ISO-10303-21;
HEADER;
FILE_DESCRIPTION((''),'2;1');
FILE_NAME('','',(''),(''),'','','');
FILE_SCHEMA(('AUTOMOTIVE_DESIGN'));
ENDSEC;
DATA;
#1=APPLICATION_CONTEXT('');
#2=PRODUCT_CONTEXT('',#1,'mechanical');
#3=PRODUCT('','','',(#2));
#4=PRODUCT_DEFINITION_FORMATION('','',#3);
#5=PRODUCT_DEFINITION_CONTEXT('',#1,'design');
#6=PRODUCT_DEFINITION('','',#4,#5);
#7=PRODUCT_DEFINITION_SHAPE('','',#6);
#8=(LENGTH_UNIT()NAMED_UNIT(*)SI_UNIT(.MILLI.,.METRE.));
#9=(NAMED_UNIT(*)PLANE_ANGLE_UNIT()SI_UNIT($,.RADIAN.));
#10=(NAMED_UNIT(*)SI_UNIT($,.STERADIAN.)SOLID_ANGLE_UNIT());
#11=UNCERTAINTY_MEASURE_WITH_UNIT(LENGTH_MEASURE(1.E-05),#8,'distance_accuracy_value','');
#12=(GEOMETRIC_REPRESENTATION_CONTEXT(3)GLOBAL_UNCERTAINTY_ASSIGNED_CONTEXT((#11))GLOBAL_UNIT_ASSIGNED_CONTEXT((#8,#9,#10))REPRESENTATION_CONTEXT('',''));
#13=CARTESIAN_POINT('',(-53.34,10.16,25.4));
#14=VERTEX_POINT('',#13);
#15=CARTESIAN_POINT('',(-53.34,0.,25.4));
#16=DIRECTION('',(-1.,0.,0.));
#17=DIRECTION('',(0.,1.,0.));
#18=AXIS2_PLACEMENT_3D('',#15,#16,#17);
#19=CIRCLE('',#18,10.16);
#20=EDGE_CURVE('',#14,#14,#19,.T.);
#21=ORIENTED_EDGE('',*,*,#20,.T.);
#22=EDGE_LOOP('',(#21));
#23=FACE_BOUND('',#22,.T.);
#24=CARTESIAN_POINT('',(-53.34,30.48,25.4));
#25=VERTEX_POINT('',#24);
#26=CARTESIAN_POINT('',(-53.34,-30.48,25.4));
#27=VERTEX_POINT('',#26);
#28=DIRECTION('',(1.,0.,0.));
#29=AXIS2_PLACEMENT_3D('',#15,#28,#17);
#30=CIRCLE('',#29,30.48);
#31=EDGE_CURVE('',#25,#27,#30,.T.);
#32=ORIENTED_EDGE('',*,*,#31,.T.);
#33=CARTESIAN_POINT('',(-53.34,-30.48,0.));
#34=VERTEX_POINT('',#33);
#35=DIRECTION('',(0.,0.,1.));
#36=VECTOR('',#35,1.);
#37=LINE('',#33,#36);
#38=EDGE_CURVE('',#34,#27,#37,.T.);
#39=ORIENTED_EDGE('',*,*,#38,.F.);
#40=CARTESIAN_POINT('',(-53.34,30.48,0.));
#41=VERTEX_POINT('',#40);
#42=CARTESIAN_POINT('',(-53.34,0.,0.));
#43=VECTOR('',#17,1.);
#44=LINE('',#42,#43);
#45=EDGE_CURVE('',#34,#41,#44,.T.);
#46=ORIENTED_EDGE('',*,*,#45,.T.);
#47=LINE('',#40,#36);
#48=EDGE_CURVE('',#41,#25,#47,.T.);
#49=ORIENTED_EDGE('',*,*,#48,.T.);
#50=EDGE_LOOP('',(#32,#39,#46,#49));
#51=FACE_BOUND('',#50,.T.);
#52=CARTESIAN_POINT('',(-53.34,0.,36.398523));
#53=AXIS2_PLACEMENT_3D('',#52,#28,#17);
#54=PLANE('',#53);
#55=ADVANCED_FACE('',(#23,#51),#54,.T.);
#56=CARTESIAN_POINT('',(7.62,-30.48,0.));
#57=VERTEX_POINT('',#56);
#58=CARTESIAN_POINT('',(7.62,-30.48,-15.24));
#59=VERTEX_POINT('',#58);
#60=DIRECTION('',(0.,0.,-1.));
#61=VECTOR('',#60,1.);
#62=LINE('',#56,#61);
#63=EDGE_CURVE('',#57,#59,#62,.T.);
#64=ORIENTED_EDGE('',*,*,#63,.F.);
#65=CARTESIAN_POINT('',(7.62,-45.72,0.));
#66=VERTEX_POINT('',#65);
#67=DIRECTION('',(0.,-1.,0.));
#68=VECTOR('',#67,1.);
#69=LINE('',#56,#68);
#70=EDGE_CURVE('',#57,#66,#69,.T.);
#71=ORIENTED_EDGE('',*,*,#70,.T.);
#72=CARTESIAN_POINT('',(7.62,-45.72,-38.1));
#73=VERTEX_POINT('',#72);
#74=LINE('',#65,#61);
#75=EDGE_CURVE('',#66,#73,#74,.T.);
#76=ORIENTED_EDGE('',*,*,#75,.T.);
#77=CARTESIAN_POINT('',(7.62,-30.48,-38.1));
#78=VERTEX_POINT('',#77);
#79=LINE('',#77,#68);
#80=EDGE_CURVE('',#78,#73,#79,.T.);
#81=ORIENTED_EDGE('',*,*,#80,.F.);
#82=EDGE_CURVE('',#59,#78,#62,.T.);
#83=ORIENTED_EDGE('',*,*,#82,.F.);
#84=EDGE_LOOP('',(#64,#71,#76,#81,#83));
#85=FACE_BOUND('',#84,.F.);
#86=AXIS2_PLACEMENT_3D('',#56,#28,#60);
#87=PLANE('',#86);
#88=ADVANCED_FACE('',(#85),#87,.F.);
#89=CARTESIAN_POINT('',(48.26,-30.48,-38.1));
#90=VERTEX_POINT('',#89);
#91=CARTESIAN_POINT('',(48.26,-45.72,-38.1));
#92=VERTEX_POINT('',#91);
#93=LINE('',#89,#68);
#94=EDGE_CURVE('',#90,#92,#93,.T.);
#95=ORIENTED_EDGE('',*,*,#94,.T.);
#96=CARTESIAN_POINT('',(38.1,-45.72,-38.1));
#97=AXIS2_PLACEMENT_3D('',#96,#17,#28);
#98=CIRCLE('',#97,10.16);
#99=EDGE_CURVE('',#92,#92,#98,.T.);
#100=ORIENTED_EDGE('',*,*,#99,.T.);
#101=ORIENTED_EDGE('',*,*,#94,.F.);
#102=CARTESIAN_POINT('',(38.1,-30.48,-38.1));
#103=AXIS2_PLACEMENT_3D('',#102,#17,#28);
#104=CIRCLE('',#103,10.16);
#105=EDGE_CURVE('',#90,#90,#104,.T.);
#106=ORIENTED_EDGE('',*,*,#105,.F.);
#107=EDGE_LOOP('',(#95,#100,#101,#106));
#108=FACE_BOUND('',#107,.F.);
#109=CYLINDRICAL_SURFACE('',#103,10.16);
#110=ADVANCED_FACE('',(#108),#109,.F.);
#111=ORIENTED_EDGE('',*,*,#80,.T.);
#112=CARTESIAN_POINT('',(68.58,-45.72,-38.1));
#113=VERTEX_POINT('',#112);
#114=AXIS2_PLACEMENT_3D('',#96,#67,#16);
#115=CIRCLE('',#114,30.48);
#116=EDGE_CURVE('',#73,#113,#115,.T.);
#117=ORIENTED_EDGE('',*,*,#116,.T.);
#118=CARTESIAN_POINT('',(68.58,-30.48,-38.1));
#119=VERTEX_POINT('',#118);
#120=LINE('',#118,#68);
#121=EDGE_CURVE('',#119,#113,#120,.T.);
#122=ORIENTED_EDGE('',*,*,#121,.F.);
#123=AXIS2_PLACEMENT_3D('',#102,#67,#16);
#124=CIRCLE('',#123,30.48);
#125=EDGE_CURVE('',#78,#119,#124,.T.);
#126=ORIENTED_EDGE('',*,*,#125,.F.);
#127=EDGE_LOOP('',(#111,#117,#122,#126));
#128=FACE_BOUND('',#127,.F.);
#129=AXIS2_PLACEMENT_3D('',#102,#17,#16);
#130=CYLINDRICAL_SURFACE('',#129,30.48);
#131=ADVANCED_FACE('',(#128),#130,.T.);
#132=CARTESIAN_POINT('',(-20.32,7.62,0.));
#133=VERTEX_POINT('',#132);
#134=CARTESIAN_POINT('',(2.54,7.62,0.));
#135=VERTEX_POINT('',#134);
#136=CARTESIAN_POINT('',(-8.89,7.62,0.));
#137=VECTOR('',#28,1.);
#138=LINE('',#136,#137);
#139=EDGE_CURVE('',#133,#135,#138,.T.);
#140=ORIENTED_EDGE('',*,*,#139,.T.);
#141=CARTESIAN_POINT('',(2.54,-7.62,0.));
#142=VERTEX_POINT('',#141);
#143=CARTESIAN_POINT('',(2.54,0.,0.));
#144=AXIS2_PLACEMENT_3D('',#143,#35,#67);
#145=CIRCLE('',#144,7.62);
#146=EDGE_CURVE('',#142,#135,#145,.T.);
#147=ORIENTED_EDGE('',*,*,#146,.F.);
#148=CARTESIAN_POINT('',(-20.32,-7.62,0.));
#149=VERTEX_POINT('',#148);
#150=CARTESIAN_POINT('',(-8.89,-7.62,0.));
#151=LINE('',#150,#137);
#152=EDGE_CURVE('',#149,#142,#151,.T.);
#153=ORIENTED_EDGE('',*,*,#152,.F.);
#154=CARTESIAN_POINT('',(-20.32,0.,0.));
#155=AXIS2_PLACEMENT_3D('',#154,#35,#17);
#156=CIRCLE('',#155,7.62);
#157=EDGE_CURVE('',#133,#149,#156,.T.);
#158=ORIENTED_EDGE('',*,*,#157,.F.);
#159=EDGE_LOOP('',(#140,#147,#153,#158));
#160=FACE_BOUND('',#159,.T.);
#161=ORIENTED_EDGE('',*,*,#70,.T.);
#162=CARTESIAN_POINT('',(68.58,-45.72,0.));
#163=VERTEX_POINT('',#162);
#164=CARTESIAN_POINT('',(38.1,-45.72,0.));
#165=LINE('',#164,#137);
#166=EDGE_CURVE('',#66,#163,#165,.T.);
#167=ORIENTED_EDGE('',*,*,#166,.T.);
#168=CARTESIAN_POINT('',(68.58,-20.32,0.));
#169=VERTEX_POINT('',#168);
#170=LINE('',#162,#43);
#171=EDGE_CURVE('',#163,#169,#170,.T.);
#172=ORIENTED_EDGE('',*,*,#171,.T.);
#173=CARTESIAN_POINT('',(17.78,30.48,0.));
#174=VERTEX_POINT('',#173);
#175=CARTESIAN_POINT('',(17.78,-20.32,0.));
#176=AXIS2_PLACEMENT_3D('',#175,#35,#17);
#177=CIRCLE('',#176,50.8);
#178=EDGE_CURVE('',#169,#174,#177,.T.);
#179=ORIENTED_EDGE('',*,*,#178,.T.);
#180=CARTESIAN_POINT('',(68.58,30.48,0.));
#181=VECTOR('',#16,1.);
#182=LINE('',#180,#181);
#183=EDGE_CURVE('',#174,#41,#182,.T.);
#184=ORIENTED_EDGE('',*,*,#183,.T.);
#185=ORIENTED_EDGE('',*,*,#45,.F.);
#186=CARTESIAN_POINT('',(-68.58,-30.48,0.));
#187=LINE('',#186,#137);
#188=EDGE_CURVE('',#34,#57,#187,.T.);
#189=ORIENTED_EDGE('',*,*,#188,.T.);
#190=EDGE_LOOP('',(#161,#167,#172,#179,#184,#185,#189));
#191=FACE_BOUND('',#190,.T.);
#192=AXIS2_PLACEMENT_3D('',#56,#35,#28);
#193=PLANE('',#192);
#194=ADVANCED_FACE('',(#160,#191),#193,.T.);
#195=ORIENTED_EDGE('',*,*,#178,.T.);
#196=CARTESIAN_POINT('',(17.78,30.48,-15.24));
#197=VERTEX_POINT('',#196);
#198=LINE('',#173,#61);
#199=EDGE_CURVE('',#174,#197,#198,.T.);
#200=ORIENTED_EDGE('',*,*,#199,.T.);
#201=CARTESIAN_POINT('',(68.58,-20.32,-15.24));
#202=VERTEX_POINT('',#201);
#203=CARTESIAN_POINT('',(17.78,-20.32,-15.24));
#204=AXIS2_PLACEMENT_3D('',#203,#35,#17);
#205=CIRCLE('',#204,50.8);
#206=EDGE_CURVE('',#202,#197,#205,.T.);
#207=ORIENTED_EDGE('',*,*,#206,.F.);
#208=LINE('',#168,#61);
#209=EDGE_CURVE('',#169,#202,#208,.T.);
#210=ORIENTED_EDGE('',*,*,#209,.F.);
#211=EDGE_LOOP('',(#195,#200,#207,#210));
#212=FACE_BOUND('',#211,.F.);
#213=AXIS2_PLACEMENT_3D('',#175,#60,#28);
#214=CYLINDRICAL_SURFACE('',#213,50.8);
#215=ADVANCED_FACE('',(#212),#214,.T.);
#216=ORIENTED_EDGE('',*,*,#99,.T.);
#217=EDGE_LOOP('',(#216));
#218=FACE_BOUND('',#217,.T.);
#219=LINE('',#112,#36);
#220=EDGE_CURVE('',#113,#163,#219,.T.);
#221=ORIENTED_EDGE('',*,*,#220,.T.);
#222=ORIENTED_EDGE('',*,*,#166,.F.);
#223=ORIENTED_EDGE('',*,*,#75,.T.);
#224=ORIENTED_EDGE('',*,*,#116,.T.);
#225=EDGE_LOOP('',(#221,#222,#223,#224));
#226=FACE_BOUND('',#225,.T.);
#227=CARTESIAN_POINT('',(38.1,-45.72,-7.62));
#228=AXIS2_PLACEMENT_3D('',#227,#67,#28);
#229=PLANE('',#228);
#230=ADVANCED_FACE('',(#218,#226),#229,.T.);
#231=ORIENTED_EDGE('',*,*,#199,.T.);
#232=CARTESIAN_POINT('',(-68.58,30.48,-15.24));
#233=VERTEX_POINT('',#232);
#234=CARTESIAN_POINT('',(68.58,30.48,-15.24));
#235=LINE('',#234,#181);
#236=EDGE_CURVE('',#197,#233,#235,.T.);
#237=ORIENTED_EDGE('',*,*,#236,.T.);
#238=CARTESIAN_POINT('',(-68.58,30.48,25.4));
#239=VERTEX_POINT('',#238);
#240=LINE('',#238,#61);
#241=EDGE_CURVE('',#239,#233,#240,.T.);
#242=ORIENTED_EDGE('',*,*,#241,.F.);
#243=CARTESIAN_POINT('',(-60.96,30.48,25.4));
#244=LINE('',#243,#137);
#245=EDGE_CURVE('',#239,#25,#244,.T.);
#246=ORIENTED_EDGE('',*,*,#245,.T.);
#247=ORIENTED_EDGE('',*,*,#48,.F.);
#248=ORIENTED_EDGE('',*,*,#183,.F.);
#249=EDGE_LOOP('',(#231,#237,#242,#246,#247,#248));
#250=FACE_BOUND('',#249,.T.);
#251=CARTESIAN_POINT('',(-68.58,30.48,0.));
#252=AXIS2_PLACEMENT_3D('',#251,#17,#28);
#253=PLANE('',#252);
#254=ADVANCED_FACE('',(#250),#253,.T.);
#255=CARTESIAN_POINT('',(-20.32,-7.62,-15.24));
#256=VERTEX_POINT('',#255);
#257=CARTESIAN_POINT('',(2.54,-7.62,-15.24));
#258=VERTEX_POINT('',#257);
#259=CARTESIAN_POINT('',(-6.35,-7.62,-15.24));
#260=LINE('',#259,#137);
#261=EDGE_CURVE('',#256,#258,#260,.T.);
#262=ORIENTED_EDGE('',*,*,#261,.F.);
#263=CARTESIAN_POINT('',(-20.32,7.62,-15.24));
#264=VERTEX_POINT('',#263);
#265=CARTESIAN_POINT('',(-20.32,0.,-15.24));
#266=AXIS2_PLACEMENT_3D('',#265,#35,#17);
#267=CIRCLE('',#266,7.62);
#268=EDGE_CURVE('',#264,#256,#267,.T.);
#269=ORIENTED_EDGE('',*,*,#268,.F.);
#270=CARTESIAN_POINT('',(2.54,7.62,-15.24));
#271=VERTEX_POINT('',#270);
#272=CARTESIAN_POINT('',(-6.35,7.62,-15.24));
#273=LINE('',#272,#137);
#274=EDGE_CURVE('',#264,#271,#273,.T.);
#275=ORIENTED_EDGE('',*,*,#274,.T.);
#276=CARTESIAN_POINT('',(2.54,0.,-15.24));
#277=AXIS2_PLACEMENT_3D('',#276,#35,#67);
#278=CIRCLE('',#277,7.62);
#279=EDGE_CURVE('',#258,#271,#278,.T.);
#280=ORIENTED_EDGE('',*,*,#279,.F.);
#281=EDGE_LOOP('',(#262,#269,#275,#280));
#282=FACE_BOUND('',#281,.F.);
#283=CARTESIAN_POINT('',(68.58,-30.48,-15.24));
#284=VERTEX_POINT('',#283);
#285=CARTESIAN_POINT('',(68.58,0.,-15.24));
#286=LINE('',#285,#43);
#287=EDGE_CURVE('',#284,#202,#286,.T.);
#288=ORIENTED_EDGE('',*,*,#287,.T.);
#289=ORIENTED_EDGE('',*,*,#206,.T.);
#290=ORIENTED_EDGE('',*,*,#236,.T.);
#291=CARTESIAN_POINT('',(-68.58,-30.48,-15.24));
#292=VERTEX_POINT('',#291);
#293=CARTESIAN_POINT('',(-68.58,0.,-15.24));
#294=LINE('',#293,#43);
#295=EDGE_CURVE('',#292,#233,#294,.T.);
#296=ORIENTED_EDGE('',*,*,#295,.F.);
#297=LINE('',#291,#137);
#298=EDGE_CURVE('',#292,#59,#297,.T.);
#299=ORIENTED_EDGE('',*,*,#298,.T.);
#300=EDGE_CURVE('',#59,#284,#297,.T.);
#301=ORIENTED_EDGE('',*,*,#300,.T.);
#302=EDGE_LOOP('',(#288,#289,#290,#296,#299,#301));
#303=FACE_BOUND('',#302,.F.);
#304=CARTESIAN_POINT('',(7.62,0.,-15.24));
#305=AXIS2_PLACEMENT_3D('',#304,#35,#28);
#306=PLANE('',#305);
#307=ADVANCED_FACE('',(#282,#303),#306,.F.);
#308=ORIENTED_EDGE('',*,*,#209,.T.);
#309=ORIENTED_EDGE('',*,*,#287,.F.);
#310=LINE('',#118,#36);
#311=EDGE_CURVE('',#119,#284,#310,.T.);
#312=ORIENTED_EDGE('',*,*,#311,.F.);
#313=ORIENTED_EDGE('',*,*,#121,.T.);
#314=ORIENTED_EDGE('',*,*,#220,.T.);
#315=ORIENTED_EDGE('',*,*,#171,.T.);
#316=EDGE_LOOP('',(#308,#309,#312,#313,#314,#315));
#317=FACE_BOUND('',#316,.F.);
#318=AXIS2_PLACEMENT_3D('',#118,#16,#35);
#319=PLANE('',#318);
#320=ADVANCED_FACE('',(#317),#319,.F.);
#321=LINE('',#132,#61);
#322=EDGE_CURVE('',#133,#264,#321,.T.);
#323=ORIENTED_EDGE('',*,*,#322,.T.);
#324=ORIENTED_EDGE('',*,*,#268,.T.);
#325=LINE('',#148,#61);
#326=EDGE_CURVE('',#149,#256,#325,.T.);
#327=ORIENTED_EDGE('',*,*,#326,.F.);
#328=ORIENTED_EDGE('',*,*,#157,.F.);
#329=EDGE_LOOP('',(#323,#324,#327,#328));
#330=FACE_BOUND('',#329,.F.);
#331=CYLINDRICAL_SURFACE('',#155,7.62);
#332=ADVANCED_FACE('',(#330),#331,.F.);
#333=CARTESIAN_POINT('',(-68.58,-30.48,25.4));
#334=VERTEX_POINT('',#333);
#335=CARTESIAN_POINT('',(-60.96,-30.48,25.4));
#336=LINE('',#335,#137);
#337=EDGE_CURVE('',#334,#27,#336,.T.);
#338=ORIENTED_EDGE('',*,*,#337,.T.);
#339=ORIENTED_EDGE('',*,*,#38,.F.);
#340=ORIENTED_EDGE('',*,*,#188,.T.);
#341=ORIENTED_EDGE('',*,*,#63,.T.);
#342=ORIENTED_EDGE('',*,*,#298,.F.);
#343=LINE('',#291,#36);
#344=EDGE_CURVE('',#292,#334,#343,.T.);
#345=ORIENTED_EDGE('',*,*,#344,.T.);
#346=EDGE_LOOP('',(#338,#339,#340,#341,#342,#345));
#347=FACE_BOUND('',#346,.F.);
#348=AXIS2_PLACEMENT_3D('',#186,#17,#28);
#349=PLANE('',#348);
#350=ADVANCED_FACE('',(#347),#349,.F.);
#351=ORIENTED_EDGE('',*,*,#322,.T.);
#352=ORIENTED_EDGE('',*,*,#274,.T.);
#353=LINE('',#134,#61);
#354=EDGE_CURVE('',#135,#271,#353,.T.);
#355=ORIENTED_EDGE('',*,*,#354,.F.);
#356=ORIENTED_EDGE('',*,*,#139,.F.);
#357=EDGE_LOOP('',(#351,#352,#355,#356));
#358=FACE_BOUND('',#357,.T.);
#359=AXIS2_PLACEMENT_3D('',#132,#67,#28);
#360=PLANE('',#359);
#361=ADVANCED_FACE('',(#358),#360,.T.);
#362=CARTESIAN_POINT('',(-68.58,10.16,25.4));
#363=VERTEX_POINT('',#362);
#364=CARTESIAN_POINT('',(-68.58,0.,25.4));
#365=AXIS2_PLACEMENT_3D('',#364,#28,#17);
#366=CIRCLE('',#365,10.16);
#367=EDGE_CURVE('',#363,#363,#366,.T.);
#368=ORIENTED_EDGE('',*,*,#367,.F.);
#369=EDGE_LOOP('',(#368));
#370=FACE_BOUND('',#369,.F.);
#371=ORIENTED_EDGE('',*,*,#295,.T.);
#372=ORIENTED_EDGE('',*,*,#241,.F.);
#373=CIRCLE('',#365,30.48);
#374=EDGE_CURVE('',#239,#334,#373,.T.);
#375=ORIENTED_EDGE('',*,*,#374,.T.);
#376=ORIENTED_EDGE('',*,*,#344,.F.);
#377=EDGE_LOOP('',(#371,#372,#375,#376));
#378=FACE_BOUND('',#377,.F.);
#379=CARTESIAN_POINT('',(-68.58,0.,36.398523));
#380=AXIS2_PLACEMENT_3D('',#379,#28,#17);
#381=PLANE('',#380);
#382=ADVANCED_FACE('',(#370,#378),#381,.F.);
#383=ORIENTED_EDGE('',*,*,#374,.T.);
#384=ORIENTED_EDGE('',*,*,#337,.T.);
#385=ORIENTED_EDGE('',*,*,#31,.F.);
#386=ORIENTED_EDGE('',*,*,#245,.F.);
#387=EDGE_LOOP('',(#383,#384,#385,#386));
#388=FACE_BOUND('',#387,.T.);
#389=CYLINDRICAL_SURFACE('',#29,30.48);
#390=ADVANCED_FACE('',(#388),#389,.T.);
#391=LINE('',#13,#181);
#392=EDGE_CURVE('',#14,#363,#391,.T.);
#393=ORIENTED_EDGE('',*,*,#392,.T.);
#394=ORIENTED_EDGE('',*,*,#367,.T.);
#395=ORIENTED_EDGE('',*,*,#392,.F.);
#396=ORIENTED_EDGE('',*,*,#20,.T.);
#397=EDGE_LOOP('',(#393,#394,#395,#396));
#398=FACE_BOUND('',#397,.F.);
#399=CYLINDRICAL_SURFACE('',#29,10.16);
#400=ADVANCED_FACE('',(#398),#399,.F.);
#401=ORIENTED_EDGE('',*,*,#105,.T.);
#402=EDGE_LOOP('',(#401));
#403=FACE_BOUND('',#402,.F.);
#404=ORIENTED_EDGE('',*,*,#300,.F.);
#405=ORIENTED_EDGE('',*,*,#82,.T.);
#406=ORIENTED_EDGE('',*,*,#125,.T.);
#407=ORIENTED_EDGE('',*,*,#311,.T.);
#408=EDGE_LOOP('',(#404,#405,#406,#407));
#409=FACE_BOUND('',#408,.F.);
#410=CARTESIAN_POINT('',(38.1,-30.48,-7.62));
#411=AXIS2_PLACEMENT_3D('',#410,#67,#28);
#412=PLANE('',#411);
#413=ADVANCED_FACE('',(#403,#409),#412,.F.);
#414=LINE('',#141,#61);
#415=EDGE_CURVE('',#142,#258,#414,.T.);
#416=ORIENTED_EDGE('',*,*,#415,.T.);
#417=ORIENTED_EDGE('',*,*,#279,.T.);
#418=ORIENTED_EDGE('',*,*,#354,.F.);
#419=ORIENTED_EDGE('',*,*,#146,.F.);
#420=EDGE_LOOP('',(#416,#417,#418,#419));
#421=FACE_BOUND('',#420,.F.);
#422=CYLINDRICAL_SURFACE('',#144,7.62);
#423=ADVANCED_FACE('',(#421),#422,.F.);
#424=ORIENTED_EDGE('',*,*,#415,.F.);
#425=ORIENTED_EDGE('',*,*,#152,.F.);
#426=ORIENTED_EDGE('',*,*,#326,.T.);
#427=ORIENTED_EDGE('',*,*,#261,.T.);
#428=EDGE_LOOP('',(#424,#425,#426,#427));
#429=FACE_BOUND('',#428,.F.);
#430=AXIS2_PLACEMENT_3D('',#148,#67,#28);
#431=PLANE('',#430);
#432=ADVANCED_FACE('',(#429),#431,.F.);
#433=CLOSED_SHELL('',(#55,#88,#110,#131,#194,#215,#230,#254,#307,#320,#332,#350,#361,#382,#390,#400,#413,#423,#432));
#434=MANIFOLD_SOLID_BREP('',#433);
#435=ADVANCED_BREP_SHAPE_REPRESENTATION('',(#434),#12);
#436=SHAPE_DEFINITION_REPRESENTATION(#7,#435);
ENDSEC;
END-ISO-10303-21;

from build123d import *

# Parameters (mm, degrees)
F0_W      = 121.92
F0_H      = 60.96
F0_W_2    = 15.24
F1_DEPTH  = 15.24
F2_DEPTH  = 25.4
F4_DEPTH  = 15.24
F5_DEPTH  = 15.241
F6_W      = 60.96
F6_H      = 15.24
F7_DEPTH  = 15.24
F8_R      = 50.8
F9_W      = 22.86
F9_H      = 15.24
F10_DEPTH = 68.581


with BuildPart() as f1:
    # F0 (on Top) → F1 (new body)
    with BuildSketch(Plane.XY):
        with Locations((7.62, 0)):
            Rectangle(F0_W, F0_H)
        with Locations((-60.96, 0)):
            Rectangle(F0_W_2, F0_H)
    extrude(amount=-F1_DEPTH)

    # F0 (on Top) → F2 (join)
    with BuildSketch(Plane.XY):
        with Locations((-60.96, 0)):
            Rectangle(F0_W_2, F0_H)
    extrude(amount=F2_DEPTH)

    # F3 (on face) → F4 (join)
    with BuildSketch(Plane.YZ.offset(-53.34)):
        with BuildLine():
            Line((10.16, 25.4), (30.48, 25.4))
            ThreePointArc((30.48, 25.4), (0, 55.88), (-30.48, 25.4))
            Line((-30.48, 25.4), (-10.16, 25.4))
            ThreePointArc((-10.16, 25.4), (0, 35.56), (10.16, 25.4))
        make_face()
    extrude(amount=-F4_DEPTH)

    # F3 (on face) → F5 (cut, through all)
    with BuildSketch(Plane.YZ.offset(-53.34)):
        with BuildLine():
            ThreePointArc((-10.16, 25.4), (0, 15.24), (10.16, 25.4))
            Line((10.16, 25.4), (-10.16, 25.4))
        make_face()
        with BuildLine():
            Line((-10.16, 25.4), (10.16, 25.4))
            ThreePointArc((10.16, 25.4), (0, 35.56), (-10.16, 25.4))
        make_face()
    extrude(amount=-F5_DEPTH, mode=Mode.SUBTRACT)

    # F6 (on face) → F7 (join)
    with BuildSketch(Plane.XZ.offset(30.48)):
        with Locations((38.1, -7.62)):
            Rectangle(F6_W, F6_H)
        with BuildLine():
            Line((68.58, -38.1), (68.58, -15.24))
            Line((68.58, -15.24), (7.62, -15.24))
            Line((7.62, -15.24), (7.62, -38.1))
            Line((7.62, -38.1), (27.94, -38.1))
            ThreePointArc((27.94, -38.1), (38.1, -27.94), (48.26, -38.1))
            Line((48.26, -38.1), (68.58, -38.1))
        make_face()
        with BuildLine():
            ThreePointArc((7.62, -38.1), (38.1, -68.58), (68.58, -38.1))
            Line((68.58, -38.1), (48.26, -38.1))
            ThreePointArc((48.26, -38.1), (38.1, -48.26), (27.94, -38.1))
            Line((27.94, -38.1), (7.62, -38.1))
        make_face()
    extrude(amount=F7_DEPTH)

    # F8
    f8_edges = [f1.edges().sort_by_distance(p)[0] for p in [
        (68.58, 30.48, -7.62),
    ]]
    fillet(f8_edges, radius=F8_R)

    # F9 (on face) → F10 (cut, through all)
    with BuildSketch(Plane.XY):
        with Locations((-8.89, 0)):
            Rectangle(F9_W, F9_H)
        with BuildLine():
            Line((2.54, 7.62), (2.54, -7.62))
            ThreePointArc((2.54, -7.62), (10.16, 0), (2.54, 7.62))
        make_face()
        with BuildLine():
            ThreePointArc((-20.32, 7.62), (-27.94, 0), (-20.32, -7.62))
            Line((-20.32, -7.62), (-20.32, 7.62))
        make_face()
    extrude(amount=-F10_DEPTH, mode=Mode.SUBTRACT)


solid = f1.part
